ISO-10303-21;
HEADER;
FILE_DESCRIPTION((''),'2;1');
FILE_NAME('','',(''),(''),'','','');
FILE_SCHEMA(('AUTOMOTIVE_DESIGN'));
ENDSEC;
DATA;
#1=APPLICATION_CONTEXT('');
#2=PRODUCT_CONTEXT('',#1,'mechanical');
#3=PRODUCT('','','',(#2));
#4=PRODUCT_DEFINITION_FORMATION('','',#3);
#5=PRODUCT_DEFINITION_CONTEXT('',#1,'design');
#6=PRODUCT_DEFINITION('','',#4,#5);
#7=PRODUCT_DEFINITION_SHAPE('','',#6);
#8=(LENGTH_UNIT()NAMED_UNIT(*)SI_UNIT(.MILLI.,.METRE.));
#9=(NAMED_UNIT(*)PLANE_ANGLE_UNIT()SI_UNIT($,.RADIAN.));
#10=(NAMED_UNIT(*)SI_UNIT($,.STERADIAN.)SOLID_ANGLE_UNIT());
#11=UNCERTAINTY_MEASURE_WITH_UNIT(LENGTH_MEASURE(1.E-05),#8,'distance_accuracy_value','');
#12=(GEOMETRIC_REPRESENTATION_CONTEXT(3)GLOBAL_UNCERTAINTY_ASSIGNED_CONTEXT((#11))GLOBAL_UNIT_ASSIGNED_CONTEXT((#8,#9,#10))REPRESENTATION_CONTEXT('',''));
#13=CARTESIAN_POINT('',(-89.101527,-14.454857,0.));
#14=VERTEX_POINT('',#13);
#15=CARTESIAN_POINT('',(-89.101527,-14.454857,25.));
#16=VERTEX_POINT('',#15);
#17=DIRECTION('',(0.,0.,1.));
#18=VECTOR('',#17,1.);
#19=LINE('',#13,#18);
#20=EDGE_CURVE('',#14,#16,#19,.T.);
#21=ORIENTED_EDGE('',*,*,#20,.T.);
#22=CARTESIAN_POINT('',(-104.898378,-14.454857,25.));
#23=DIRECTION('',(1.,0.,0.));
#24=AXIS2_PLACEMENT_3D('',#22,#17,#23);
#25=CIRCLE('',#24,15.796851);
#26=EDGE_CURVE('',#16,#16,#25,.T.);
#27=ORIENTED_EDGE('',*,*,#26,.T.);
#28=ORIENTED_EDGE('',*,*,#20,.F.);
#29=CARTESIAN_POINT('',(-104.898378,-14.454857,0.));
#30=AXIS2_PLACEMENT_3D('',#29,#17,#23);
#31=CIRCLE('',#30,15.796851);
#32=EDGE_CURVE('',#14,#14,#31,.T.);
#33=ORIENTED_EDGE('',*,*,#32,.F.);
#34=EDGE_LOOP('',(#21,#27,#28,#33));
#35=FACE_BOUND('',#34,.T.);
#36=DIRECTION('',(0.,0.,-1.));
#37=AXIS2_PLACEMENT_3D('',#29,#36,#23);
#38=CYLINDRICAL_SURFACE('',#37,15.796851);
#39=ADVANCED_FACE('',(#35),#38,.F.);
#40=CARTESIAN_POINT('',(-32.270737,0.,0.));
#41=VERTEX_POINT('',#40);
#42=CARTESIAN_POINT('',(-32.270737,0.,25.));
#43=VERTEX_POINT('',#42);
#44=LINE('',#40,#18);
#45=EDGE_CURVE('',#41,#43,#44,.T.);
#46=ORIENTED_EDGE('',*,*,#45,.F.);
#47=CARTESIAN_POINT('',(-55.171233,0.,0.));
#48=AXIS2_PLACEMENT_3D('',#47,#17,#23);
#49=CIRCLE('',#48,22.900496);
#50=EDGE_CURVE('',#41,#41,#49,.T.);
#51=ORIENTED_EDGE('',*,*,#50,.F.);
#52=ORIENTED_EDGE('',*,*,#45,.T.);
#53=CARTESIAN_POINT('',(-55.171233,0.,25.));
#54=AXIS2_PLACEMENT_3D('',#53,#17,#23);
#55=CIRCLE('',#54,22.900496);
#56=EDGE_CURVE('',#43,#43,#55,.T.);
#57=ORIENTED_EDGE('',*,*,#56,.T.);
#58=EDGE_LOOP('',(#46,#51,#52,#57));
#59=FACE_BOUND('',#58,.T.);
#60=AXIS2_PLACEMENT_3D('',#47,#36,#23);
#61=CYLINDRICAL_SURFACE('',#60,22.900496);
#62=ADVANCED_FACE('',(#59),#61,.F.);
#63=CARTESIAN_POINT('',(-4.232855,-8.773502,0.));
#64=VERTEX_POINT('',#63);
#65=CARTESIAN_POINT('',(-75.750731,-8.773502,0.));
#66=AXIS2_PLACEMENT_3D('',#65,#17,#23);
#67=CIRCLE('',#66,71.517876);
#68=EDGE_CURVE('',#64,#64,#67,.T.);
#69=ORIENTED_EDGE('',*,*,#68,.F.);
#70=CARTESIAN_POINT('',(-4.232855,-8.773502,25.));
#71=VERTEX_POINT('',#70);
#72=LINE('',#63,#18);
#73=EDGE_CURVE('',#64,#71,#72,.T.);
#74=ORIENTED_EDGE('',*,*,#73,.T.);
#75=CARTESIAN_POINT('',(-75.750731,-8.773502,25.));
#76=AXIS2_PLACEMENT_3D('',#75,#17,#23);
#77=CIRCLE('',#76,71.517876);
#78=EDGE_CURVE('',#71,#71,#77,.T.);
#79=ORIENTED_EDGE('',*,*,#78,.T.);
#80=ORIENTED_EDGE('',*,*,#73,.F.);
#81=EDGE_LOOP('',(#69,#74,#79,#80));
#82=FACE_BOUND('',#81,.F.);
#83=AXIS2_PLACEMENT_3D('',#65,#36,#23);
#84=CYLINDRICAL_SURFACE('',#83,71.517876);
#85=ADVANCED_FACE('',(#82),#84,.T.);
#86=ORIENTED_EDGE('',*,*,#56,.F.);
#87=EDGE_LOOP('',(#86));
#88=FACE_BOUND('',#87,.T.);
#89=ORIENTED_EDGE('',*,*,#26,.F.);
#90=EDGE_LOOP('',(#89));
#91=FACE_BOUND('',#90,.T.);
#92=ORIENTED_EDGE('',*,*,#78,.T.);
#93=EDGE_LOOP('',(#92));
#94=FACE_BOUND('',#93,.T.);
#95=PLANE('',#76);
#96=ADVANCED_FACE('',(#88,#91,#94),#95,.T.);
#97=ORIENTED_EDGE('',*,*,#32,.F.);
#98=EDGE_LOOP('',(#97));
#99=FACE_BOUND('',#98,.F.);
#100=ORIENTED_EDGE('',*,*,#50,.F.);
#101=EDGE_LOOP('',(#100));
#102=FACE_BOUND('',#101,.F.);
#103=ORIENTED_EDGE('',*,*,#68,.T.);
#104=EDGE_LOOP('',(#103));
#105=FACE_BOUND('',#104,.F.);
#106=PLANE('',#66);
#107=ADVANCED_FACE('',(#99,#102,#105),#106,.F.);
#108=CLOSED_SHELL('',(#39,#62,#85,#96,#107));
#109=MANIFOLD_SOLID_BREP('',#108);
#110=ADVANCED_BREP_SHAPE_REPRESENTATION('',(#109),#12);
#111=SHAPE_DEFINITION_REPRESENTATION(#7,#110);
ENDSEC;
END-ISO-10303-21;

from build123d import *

# Parameters (mm, degrees)
F0_R     = 71.517876
F0_R_2   = 15.796851
F0_R_3   = 22.900496
F1_DEPTH = 25


with BuildPart() as f1:
    # F0 (on Top) → F1 (new body)
    with BuildSketch(Plane.XY):
        with Locations((-75.750731, -8.773502)):
            Circle(F0_R)
        with Locations((-104.898378, -14.454857)):
            Circle(F0_R_2, mode=Mode.SUBTRACT)
        with Locations((-55.171233, 0)):
            Circle(F0_R_3, mode=Mode.SUBTRACT)
    extrude(amount=F1_DEPTH)


solid = f1.part
